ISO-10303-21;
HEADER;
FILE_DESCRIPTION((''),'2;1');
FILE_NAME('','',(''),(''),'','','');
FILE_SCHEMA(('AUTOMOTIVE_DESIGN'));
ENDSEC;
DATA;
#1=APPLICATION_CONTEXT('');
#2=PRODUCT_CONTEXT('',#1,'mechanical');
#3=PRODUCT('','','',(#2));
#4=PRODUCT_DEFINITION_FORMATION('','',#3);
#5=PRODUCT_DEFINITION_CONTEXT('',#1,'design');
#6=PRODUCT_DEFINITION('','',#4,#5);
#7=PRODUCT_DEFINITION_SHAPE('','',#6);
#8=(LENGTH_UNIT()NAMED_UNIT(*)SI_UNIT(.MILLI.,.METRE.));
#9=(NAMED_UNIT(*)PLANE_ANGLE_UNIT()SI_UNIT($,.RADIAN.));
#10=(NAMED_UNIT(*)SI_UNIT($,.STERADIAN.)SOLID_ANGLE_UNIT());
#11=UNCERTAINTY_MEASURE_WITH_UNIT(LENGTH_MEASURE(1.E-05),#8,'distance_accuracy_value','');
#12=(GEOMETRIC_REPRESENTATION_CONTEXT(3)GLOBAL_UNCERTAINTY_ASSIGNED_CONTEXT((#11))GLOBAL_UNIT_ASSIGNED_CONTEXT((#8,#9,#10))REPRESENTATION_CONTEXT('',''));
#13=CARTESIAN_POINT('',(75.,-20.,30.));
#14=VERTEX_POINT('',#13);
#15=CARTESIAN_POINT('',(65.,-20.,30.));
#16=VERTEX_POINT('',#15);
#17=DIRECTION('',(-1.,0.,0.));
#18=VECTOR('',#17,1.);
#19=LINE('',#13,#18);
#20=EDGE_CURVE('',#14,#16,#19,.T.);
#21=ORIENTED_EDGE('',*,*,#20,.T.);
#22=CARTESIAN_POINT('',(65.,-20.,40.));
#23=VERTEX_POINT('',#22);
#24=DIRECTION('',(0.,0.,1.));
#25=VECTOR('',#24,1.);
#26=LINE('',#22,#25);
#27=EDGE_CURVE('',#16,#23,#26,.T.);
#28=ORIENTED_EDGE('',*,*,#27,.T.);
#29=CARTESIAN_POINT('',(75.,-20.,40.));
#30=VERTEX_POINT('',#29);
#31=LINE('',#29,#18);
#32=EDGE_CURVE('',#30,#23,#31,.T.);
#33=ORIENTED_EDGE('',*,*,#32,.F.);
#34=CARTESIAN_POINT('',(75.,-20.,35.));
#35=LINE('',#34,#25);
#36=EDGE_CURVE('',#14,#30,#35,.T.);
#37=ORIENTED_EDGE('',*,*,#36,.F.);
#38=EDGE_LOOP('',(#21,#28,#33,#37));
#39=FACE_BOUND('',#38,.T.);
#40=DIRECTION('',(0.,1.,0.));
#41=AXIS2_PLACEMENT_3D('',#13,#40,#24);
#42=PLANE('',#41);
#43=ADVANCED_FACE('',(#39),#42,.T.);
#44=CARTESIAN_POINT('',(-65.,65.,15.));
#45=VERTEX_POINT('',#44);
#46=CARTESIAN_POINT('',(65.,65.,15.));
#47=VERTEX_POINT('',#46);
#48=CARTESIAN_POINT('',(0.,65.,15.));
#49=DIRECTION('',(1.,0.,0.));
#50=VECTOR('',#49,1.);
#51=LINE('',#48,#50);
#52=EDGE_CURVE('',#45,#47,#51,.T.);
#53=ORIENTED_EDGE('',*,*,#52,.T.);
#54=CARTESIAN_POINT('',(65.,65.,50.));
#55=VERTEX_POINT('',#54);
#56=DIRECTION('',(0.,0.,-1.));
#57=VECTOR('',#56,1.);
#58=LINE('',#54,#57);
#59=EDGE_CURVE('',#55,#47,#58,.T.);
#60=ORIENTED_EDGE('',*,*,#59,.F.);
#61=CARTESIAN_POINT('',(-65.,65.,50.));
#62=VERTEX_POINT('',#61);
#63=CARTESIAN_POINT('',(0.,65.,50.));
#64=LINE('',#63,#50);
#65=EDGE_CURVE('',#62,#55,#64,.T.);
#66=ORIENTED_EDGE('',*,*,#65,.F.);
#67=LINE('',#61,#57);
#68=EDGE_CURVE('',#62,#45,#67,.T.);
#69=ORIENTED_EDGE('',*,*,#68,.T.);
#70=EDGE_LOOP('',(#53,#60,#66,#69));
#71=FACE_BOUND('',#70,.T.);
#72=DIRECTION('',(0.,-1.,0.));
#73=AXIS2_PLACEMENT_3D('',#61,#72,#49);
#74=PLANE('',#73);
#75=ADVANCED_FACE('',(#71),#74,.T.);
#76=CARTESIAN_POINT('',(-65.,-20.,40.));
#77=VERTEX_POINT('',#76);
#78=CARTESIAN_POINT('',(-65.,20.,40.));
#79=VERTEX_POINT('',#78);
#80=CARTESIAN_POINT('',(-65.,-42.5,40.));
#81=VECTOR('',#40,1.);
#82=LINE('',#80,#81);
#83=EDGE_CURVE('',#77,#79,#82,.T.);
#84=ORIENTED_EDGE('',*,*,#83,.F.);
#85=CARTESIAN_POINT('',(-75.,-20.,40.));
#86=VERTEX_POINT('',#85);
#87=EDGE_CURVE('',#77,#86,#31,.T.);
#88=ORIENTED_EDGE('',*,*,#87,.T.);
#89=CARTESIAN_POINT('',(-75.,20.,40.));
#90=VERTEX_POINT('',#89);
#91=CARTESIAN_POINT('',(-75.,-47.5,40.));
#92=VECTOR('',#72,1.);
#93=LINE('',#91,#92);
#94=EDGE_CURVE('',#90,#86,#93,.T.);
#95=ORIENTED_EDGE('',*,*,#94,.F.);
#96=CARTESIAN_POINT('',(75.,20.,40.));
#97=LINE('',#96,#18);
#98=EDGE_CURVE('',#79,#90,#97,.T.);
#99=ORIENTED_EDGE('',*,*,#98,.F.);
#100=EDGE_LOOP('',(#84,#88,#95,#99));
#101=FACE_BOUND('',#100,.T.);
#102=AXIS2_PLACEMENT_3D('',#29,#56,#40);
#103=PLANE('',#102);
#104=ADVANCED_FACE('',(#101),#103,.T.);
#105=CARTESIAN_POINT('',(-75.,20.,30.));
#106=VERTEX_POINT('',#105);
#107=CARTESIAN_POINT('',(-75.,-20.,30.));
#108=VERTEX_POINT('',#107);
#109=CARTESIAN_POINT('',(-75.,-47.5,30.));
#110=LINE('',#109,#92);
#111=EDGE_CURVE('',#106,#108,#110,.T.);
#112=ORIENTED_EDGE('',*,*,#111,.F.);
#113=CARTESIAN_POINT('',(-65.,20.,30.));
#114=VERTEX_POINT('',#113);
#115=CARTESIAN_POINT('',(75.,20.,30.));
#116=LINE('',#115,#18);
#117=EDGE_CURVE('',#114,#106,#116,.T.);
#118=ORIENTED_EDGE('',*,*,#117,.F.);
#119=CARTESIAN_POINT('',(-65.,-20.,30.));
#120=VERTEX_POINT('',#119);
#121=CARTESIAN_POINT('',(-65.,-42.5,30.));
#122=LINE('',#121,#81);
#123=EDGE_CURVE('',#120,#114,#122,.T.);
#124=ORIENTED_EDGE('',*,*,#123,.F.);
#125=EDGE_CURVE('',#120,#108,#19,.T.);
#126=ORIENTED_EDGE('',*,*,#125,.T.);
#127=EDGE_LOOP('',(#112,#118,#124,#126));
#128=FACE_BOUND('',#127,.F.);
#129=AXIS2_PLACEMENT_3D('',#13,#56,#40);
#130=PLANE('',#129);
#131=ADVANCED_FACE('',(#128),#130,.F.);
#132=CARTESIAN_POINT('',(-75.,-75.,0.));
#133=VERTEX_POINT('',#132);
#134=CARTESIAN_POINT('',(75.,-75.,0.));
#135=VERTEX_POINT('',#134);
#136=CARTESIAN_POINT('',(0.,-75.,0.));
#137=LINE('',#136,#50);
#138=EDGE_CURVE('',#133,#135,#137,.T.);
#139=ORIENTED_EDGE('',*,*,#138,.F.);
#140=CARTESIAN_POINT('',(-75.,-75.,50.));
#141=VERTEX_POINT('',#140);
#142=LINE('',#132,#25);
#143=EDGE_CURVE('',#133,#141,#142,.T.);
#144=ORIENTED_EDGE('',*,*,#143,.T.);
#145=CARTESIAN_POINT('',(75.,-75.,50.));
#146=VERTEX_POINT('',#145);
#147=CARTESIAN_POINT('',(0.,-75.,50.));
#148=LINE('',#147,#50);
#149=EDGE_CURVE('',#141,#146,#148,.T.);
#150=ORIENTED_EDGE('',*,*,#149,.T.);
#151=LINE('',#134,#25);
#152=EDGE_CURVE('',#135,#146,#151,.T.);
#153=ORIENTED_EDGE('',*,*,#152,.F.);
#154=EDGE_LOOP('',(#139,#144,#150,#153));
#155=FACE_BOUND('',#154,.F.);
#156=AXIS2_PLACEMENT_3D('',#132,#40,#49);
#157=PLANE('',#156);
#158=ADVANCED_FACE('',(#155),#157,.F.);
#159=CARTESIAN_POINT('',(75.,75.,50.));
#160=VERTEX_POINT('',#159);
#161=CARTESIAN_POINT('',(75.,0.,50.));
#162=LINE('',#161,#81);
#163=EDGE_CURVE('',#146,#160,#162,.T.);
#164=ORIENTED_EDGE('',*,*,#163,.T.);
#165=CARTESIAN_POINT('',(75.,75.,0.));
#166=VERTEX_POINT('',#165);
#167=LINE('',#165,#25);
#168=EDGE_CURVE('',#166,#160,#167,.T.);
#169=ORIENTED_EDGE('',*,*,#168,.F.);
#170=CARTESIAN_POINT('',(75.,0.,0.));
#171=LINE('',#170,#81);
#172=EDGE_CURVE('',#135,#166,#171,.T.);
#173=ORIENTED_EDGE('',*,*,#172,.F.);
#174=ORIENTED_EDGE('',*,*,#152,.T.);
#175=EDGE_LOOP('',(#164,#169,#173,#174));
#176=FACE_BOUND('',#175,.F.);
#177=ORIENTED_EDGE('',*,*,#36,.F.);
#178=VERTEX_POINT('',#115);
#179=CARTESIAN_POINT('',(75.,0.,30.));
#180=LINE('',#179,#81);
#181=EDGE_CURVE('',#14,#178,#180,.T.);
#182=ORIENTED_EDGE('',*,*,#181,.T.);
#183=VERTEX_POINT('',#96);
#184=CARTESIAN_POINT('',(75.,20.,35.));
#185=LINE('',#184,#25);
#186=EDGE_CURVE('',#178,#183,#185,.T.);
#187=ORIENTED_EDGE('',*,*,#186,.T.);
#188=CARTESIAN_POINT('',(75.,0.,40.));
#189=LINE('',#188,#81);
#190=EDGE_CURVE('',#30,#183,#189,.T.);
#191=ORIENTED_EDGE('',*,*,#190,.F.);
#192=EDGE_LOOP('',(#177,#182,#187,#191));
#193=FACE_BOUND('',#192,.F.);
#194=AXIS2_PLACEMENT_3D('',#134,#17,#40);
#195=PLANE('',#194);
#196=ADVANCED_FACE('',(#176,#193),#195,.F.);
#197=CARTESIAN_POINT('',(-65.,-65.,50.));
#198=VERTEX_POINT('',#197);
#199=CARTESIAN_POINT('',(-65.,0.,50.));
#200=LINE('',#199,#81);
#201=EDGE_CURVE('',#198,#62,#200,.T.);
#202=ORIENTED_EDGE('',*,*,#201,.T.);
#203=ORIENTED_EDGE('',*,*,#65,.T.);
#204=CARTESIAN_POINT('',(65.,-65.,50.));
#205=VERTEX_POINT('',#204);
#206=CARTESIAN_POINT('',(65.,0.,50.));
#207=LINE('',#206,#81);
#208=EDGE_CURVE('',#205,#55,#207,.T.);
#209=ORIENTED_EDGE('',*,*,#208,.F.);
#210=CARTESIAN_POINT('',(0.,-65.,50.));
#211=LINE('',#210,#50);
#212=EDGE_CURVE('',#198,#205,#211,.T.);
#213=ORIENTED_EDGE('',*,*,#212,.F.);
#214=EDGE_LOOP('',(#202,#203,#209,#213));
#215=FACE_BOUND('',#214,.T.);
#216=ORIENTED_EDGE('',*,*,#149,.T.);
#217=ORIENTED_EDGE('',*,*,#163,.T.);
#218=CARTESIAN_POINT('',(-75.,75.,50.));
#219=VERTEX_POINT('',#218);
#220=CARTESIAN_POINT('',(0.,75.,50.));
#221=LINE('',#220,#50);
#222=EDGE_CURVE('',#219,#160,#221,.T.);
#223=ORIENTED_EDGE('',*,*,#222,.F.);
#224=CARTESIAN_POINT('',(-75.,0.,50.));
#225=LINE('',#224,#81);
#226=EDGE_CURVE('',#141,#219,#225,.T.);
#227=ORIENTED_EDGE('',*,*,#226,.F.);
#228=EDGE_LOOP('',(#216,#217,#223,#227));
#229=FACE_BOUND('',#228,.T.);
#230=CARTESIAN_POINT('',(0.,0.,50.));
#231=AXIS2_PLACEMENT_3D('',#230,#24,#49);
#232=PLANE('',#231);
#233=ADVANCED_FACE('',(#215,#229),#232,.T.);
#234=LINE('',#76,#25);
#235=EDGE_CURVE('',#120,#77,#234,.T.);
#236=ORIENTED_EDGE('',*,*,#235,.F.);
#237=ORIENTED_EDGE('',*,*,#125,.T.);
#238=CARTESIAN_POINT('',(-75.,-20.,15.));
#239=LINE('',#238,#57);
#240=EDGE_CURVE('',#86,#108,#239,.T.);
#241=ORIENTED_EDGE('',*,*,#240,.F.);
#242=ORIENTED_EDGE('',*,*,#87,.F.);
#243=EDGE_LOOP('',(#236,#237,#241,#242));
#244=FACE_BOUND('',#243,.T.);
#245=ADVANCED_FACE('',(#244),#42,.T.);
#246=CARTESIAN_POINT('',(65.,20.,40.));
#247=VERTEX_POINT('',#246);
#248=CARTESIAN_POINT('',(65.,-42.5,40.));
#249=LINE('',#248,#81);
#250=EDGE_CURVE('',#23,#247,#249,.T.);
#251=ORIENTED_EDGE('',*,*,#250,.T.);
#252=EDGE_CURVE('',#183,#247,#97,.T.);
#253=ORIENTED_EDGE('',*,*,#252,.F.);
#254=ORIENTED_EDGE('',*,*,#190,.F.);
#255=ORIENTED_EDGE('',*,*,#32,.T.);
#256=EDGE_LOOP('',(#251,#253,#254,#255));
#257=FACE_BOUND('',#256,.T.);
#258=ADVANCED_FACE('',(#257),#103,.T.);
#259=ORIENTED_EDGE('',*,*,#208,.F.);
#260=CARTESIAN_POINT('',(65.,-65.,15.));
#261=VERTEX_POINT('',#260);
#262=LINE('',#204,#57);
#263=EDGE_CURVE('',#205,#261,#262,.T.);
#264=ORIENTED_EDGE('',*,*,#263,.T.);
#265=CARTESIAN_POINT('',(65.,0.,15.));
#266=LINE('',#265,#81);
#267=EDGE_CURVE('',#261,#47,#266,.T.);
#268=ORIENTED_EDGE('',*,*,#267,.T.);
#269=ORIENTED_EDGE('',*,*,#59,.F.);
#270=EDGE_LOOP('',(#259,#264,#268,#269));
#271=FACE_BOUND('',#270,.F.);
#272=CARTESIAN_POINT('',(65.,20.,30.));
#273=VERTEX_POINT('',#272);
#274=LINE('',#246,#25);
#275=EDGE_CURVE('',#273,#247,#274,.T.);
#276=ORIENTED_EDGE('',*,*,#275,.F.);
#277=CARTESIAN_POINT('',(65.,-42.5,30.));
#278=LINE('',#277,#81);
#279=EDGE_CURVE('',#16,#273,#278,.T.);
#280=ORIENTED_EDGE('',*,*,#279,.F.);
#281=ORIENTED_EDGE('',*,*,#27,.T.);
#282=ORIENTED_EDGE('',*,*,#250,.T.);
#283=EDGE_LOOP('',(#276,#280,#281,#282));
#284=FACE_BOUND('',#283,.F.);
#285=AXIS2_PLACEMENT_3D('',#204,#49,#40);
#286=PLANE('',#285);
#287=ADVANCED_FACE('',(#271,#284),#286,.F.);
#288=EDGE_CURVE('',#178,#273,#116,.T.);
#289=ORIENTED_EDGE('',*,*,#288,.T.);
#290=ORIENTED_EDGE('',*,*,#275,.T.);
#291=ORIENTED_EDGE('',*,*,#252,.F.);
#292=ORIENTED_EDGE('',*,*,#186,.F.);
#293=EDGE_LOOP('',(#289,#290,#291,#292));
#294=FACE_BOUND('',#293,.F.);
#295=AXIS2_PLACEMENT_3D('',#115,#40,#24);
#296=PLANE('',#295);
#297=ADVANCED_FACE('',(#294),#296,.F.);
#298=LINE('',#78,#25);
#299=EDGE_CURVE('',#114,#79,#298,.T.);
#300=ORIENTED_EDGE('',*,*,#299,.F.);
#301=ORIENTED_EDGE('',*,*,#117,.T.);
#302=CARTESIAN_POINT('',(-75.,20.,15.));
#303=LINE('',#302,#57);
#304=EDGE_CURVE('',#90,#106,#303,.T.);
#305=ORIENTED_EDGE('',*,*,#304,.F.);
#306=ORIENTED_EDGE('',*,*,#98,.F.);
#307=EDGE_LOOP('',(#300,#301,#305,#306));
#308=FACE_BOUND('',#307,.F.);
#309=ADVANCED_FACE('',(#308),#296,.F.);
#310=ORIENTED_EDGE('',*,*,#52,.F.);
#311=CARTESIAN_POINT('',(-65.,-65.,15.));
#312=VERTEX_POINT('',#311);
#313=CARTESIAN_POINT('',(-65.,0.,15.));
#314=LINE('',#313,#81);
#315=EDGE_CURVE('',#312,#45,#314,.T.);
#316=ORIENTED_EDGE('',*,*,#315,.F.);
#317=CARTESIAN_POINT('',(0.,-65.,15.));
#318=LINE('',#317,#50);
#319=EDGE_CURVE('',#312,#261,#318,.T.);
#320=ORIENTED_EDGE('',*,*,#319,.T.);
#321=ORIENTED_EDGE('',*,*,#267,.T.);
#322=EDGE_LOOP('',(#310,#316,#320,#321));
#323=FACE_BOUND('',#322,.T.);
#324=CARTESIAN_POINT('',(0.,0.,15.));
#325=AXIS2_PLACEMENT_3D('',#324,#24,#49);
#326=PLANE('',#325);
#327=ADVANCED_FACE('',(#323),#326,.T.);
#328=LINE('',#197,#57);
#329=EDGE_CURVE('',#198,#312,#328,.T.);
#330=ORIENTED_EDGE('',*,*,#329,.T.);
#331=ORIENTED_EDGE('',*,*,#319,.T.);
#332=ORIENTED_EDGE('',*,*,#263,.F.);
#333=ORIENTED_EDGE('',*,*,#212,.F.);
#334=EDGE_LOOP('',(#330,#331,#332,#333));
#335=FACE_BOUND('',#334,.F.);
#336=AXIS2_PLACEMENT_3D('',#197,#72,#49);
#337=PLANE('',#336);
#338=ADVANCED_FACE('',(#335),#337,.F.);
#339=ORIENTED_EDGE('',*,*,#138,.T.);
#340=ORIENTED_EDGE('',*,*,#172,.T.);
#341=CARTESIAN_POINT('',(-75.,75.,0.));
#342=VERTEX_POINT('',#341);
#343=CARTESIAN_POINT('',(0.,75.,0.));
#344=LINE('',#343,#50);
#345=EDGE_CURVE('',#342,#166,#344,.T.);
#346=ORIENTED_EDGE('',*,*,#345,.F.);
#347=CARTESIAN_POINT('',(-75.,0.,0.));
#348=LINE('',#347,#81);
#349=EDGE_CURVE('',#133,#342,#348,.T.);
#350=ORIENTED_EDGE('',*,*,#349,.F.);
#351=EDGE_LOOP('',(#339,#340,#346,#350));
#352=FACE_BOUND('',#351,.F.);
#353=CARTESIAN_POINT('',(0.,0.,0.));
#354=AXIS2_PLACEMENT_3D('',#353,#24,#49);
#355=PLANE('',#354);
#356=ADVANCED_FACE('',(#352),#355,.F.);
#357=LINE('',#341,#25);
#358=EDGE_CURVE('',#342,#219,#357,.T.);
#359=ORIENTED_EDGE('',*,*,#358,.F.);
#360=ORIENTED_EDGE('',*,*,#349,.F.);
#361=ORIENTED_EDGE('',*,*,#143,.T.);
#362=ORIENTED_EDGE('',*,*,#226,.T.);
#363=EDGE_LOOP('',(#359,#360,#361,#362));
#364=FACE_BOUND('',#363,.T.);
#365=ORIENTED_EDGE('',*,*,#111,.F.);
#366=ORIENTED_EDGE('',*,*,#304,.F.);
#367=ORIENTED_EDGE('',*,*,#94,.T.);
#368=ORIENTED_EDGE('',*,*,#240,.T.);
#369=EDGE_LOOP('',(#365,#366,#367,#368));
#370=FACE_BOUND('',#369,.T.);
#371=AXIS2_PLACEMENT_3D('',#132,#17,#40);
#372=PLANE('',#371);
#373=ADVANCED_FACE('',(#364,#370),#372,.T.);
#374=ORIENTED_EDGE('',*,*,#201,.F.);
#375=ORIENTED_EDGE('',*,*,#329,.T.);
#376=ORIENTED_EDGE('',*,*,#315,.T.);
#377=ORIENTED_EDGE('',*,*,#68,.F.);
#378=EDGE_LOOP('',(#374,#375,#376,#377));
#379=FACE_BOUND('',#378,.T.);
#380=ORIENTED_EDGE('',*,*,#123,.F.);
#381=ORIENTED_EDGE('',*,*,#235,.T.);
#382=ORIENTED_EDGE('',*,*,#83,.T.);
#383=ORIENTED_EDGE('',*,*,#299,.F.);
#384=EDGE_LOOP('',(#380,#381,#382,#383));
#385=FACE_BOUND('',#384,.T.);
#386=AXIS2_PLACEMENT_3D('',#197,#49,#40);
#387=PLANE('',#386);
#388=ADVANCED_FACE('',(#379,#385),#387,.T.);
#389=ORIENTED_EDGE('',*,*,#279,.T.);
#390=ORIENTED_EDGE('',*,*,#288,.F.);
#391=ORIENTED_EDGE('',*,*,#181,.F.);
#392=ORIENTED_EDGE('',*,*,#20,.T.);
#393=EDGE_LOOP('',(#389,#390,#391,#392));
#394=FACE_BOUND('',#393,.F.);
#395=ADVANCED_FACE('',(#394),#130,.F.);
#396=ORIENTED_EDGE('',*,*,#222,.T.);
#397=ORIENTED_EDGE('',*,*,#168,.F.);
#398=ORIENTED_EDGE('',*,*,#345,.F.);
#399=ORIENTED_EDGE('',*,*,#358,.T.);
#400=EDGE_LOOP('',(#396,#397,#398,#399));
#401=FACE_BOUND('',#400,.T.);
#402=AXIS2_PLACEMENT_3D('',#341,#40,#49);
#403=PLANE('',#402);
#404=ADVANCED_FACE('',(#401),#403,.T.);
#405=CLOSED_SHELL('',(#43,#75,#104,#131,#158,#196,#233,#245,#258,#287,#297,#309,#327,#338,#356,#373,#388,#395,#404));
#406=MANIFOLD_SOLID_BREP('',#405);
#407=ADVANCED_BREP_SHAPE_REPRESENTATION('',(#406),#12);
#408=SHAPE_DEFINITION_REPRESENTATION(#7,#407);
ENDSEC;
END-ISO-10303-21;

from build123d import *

# Parameters (mm, degrees)
F0_W     = 150
F0_H     = 150
F1_DEPTH = 50
F2_W     = 130
F2_H     = 130
F3_DEPTH = 35
F4_W     = 40
F4_H     = 10
F5_DEPTH = 150.001


with BuildPart() as f1:
    # F0 (on Top) → F1 (new body)
    with BuildSketch(Plane.XY):
        Rectangle(F0_W, F0_H)
    extrude(amount=F1_DEPTH)

    # F2 (on face) → F3 (cut)
    with BuildSketch(Plane.XY.offset(50)):
        Rectangle(F2_W, F2_H)
    extrude(amount=-F3_DEPTH, mode=Mode.SUBTRACT)

    # F4 (on face) → F5 (cut, through all)
    with BuildSketch(Plane.YZ.offset(75)):
        with Locations((0, 35)):
            Rectangle(F4_W, F4_H)
    extrude(amount=-F5_DEPTH, mode=Mode.SUBTRACT)


solid = f1.part
